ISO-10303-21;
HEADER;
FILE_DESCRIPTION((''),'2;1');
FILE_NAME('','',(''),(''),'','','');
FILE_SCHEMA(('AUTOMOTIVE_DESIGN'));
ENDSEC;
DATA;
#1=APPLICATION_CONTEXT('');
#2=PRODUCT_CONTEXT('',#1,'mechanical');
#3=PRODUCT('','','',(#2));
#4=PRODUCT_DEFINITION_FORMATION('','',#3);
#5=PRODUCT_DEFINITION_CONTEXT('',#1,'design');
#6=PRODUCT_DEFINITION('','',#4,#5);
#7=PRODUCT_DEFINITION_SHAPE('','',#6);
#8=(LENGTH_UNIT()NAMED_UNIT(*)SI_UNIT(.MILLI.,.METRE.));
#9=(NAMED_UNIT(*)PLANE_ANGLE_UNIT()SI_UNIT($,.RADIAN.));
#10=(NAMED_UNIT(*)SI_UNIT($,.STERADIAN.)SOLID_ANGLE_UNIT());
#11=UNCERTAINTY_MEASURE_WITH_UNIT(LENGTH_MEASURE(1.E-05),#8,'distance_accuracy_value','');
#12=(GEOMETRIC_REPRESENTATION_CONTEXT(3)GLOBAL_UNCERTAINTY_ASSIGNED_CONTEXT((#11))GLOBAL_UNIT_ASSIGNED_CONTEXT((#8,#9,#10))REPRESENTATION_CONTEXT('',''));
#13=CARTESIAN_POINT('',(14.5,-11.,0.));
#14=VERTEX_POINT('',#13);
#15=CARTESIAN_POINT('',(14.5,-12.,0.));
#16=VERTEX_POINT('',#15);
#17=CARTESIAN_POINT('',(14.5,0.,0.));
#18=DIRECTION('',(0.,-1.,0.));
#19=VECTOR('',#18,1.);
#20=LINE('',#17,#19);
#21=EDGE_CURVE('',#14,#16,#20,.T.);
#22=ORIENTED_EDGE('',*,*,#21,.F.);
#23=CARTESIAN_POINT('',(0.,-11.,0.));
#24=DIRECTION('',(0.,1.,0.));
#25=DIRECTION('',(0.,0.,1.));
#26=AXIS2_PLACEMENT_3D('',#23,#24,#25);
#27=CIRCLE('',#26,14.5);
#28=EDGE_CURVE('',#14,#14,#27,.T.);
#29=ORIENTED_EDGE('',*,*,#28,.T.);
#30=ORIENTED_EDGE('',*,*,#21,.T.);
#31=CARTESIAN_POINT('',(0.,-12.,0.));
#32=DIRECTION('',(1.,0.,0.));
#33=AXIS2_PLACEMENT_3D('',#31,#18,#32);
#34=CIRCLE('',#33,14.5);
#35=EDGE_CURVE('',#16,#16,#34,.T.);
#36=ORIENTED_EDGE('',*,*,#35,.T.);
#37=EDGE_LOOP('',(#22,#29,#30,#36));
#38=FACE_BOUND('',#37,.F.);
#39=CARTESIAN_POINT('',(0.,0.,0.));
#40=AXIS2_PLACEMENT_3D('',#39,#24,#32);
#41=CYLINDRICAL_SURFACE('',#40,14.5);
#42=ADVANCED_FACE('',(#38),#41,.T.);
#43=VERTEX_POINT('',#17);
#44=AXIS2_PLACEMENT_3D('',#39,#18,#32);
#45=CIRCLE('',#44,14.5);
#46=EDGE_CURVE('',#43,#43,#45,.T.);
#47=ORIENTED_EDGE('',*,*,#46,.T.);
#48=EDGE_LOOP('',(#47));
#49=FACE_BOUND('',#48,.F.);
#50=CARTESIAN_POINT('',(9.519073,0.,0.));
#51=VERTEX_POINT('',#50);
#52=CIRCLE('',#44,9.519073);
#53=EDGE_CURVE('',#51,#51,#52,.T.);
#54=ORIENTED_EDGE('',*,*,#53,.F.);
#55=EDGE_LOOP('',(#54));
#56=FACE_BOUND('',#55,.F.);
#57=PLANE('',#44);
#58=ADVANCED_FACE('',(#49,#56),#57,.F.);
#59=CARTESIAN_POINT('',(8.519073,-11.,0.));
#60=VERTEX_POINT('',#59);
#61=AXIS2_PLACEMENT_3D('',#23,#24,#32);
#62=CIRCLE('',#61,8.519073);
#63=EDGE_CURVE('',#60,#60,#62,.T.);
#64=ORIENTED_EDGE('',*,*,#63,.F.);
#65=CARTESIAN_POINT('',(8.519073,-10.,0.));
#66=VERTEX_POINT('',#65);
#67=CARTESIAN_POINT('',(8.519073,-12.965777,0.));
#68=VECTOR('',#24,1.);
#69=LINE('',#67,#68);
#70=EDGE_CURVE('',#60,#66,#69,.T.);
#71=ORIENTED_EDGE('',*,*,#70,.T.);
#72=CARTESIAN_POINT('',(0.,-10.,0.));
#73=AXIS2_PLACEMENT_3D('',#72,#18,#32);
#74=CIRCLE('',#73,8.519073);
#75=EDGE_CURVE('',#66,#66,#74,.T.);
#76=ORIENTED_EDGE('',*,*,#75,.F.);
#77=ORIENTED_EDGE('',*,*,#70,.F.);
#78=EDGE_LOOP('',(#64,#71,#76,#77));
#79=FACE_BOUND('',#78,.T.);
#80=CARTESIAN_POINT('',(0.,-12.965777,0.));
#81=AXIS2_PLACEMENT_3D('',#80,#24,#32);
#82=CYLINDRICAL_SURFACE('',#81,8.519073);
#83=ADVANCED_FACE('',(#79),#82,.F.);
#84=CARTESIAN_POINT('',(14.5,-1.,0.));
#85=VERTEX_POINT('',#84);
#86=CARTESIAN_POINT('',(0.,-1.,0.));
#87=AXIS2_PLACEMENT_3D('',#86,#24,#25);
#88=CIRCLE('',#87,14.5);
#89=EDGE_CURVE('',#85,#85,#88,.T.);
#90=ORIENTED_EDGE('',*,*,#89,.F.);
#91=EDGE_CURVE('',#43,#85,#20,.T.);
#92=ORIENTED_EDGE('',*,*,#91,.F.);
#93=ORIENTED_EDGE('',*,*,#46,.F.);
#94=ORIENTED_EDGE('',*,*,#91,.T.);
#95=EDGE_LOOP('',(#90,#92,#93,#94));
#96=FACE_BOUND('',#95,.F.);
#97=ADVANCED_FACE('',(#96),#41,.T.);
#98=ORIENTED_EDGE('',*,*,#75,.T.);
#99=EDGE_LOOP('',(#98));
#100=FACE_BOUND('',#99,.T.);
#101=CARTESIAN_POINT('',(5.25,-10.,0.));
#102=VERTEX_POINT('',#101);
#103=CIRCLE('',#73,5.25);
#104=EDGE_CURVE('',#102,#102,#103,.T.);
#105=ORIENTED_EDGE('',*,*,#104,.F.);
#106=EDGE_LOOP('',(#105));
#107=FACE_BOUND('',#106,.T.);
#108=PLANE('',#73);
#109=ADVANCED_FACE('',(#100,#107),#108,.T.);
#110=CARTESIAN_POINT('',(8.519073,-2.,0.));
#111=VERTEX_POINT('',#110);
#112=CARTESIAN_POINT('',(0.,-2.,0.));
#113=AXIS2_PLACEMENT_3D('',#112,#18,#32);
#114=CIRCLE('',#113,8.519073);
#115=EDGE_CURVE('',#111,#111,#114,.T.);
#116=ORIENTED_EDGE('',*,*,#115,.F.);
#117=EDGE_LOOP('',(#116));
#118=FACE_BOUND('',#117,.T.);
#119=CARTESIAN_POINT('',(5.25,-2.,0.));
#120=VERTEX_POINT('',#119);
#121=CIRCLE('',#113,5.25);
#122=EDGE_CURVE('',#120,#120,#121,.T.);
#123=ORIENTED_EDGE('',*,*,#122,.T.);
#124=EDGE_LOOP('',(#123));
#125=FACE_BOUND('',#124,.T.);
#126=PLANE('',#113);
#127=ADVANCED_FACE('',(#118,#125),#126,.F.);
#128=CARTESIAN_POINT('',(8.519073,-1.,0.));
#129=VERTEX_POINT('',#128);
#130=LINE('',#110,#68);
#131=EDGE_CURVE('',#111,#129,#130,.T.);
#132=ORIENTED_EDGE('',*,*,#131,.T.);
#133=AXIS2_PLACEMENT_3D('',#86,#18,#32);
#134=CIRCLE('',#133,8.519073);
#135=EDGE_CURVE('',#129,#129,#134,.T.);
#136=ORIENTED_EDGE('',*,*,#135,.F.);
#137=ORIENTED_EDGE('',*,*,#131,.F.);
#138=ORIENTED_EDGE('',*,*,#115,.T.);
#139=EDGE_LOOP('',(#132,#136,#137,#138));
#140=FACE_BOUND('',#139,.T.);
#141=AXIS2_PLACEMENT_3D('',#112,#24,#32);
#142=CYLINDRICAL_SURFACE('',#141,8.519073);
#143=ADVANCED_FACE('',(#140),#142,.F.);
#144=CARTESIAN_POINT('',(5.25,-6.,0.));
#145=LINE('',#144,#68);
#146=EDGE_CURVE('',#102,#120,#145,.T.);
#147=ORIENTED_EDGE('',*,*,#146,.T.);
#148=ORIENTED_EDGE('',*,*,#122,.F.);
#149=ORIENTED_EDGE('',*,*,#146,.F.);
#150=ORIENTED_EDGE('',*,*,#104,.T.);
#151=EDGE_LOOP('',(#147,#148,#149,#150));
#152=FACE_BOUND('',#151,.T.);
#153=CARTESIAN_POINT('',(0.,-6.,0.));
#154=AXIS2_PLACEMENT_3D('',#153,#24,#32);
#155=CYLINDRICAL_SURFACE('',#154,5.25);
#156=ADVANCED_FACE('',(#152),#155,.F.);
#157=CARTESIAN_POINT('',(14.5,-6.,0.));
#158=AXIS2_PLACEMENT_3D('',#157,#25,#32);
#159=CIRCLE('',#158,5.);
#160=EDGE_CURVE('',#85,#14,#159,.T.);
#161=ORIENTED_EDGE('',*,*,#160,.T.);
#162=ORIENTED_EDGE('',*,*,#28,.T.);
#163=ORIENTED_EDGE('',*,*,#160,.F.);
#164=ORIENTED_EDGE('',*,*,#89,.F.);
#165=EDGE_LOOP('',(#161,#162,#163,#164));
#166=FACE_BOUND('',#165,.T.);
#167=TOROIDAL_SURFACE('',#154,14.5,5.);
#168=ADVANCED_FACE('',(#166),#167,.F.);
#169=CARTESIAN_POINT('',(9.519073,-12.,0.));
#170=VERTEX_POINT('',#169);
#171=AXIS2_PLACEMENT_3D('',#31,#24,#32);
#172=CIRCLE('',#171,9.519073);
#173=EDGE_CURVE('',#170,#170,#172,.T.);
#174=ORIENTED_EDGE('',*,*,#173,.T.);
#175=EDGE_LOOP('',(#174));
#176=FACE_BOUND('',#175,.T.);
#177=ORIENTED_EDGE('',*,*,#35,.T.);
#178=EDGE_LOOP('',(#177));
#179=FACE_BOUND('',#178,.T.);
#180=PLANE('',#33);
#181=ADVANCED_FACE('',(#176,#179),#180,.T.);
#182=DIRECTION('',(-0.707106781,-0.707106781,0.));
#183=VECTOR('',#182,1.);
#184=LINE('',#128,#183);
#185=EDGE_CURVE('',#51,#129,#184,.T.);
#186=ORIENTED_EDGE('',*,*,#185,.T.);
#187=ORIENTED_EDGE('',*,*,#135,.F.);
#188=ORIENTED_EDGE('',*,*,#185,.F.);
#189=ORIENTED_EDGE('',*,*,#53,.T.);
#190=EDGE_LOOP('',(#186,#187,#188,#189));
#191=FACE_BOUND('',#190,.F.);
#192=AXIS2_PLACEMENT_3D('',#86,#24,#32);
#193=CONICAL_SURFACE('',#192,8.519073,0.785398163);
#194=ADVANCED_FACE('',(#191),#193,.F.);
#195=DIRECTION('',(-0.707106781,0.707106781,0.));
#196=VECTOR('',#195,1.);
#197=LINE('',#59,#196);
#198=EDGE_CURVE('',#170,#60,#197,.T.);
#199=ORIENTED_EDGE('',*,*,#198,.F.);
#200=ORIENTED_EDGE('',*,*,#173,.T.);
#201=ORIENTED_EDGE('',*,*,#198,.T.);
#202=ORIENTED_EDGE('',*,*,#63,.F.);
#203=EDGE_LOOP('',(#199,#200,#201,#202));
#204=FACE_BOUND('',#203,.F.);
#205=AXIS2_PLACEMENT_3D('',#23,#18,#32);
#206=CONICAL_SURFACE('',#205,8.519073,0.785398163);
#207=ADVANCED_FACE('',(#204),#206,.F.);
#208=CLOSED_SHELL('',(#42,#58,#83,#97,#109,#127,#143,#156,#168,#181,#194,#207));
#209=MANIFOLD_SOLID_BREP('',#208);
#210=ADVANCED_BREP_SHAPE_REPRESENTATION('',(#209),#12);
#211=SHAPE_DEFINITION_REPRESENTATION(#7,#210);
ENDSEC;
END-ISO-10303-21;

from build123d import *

# Parameters (mm, degrees)
F0_R     = 14.5
F1_DEPTH = 12
F2_W     = 5.25
F2_H     = 8
F2_R     = 5
F4_SIZE  = 1


with BuildPart() as f1:
    # F0 (on Front) → F1 (new body)
    with BuildSketch(Plane.XZ):
        Circle(F0_R)
    extrude(amount=F1_DEPTH)

    # F2 (on Top) → F3 (revolve, cut)
    with BuildSketch(Plane.XY):
        with Locations((2.625, -6)):
            Rectangle(F2_W, F2_H)
        Polygon((5.25, -10), (0, -10), (0, -12.965777), (8.519073, -12.965777), (8.519073, -10), align=None)
        Polygon((0, 0), (0, -2), (5.25, -2), (8.519073, -2), (8.519073, 0), align=None)
        with Locations((14.5, -6)):
            Circle(F2_R)
    revolve(axis=Axis((0, -8.281275, 0), (0, -1, 0)), mode=Mode.SUBTRACT)

    # F4
    f4_edges = [f1.edges().sort_by_distance(p)[0] for p in [
        (-8.519073, 0, 0),
        (-8.519073, -12, 0),
    ]]
    chamfer(f4_edges, length=F4_SIZE)


solid = f1.part
